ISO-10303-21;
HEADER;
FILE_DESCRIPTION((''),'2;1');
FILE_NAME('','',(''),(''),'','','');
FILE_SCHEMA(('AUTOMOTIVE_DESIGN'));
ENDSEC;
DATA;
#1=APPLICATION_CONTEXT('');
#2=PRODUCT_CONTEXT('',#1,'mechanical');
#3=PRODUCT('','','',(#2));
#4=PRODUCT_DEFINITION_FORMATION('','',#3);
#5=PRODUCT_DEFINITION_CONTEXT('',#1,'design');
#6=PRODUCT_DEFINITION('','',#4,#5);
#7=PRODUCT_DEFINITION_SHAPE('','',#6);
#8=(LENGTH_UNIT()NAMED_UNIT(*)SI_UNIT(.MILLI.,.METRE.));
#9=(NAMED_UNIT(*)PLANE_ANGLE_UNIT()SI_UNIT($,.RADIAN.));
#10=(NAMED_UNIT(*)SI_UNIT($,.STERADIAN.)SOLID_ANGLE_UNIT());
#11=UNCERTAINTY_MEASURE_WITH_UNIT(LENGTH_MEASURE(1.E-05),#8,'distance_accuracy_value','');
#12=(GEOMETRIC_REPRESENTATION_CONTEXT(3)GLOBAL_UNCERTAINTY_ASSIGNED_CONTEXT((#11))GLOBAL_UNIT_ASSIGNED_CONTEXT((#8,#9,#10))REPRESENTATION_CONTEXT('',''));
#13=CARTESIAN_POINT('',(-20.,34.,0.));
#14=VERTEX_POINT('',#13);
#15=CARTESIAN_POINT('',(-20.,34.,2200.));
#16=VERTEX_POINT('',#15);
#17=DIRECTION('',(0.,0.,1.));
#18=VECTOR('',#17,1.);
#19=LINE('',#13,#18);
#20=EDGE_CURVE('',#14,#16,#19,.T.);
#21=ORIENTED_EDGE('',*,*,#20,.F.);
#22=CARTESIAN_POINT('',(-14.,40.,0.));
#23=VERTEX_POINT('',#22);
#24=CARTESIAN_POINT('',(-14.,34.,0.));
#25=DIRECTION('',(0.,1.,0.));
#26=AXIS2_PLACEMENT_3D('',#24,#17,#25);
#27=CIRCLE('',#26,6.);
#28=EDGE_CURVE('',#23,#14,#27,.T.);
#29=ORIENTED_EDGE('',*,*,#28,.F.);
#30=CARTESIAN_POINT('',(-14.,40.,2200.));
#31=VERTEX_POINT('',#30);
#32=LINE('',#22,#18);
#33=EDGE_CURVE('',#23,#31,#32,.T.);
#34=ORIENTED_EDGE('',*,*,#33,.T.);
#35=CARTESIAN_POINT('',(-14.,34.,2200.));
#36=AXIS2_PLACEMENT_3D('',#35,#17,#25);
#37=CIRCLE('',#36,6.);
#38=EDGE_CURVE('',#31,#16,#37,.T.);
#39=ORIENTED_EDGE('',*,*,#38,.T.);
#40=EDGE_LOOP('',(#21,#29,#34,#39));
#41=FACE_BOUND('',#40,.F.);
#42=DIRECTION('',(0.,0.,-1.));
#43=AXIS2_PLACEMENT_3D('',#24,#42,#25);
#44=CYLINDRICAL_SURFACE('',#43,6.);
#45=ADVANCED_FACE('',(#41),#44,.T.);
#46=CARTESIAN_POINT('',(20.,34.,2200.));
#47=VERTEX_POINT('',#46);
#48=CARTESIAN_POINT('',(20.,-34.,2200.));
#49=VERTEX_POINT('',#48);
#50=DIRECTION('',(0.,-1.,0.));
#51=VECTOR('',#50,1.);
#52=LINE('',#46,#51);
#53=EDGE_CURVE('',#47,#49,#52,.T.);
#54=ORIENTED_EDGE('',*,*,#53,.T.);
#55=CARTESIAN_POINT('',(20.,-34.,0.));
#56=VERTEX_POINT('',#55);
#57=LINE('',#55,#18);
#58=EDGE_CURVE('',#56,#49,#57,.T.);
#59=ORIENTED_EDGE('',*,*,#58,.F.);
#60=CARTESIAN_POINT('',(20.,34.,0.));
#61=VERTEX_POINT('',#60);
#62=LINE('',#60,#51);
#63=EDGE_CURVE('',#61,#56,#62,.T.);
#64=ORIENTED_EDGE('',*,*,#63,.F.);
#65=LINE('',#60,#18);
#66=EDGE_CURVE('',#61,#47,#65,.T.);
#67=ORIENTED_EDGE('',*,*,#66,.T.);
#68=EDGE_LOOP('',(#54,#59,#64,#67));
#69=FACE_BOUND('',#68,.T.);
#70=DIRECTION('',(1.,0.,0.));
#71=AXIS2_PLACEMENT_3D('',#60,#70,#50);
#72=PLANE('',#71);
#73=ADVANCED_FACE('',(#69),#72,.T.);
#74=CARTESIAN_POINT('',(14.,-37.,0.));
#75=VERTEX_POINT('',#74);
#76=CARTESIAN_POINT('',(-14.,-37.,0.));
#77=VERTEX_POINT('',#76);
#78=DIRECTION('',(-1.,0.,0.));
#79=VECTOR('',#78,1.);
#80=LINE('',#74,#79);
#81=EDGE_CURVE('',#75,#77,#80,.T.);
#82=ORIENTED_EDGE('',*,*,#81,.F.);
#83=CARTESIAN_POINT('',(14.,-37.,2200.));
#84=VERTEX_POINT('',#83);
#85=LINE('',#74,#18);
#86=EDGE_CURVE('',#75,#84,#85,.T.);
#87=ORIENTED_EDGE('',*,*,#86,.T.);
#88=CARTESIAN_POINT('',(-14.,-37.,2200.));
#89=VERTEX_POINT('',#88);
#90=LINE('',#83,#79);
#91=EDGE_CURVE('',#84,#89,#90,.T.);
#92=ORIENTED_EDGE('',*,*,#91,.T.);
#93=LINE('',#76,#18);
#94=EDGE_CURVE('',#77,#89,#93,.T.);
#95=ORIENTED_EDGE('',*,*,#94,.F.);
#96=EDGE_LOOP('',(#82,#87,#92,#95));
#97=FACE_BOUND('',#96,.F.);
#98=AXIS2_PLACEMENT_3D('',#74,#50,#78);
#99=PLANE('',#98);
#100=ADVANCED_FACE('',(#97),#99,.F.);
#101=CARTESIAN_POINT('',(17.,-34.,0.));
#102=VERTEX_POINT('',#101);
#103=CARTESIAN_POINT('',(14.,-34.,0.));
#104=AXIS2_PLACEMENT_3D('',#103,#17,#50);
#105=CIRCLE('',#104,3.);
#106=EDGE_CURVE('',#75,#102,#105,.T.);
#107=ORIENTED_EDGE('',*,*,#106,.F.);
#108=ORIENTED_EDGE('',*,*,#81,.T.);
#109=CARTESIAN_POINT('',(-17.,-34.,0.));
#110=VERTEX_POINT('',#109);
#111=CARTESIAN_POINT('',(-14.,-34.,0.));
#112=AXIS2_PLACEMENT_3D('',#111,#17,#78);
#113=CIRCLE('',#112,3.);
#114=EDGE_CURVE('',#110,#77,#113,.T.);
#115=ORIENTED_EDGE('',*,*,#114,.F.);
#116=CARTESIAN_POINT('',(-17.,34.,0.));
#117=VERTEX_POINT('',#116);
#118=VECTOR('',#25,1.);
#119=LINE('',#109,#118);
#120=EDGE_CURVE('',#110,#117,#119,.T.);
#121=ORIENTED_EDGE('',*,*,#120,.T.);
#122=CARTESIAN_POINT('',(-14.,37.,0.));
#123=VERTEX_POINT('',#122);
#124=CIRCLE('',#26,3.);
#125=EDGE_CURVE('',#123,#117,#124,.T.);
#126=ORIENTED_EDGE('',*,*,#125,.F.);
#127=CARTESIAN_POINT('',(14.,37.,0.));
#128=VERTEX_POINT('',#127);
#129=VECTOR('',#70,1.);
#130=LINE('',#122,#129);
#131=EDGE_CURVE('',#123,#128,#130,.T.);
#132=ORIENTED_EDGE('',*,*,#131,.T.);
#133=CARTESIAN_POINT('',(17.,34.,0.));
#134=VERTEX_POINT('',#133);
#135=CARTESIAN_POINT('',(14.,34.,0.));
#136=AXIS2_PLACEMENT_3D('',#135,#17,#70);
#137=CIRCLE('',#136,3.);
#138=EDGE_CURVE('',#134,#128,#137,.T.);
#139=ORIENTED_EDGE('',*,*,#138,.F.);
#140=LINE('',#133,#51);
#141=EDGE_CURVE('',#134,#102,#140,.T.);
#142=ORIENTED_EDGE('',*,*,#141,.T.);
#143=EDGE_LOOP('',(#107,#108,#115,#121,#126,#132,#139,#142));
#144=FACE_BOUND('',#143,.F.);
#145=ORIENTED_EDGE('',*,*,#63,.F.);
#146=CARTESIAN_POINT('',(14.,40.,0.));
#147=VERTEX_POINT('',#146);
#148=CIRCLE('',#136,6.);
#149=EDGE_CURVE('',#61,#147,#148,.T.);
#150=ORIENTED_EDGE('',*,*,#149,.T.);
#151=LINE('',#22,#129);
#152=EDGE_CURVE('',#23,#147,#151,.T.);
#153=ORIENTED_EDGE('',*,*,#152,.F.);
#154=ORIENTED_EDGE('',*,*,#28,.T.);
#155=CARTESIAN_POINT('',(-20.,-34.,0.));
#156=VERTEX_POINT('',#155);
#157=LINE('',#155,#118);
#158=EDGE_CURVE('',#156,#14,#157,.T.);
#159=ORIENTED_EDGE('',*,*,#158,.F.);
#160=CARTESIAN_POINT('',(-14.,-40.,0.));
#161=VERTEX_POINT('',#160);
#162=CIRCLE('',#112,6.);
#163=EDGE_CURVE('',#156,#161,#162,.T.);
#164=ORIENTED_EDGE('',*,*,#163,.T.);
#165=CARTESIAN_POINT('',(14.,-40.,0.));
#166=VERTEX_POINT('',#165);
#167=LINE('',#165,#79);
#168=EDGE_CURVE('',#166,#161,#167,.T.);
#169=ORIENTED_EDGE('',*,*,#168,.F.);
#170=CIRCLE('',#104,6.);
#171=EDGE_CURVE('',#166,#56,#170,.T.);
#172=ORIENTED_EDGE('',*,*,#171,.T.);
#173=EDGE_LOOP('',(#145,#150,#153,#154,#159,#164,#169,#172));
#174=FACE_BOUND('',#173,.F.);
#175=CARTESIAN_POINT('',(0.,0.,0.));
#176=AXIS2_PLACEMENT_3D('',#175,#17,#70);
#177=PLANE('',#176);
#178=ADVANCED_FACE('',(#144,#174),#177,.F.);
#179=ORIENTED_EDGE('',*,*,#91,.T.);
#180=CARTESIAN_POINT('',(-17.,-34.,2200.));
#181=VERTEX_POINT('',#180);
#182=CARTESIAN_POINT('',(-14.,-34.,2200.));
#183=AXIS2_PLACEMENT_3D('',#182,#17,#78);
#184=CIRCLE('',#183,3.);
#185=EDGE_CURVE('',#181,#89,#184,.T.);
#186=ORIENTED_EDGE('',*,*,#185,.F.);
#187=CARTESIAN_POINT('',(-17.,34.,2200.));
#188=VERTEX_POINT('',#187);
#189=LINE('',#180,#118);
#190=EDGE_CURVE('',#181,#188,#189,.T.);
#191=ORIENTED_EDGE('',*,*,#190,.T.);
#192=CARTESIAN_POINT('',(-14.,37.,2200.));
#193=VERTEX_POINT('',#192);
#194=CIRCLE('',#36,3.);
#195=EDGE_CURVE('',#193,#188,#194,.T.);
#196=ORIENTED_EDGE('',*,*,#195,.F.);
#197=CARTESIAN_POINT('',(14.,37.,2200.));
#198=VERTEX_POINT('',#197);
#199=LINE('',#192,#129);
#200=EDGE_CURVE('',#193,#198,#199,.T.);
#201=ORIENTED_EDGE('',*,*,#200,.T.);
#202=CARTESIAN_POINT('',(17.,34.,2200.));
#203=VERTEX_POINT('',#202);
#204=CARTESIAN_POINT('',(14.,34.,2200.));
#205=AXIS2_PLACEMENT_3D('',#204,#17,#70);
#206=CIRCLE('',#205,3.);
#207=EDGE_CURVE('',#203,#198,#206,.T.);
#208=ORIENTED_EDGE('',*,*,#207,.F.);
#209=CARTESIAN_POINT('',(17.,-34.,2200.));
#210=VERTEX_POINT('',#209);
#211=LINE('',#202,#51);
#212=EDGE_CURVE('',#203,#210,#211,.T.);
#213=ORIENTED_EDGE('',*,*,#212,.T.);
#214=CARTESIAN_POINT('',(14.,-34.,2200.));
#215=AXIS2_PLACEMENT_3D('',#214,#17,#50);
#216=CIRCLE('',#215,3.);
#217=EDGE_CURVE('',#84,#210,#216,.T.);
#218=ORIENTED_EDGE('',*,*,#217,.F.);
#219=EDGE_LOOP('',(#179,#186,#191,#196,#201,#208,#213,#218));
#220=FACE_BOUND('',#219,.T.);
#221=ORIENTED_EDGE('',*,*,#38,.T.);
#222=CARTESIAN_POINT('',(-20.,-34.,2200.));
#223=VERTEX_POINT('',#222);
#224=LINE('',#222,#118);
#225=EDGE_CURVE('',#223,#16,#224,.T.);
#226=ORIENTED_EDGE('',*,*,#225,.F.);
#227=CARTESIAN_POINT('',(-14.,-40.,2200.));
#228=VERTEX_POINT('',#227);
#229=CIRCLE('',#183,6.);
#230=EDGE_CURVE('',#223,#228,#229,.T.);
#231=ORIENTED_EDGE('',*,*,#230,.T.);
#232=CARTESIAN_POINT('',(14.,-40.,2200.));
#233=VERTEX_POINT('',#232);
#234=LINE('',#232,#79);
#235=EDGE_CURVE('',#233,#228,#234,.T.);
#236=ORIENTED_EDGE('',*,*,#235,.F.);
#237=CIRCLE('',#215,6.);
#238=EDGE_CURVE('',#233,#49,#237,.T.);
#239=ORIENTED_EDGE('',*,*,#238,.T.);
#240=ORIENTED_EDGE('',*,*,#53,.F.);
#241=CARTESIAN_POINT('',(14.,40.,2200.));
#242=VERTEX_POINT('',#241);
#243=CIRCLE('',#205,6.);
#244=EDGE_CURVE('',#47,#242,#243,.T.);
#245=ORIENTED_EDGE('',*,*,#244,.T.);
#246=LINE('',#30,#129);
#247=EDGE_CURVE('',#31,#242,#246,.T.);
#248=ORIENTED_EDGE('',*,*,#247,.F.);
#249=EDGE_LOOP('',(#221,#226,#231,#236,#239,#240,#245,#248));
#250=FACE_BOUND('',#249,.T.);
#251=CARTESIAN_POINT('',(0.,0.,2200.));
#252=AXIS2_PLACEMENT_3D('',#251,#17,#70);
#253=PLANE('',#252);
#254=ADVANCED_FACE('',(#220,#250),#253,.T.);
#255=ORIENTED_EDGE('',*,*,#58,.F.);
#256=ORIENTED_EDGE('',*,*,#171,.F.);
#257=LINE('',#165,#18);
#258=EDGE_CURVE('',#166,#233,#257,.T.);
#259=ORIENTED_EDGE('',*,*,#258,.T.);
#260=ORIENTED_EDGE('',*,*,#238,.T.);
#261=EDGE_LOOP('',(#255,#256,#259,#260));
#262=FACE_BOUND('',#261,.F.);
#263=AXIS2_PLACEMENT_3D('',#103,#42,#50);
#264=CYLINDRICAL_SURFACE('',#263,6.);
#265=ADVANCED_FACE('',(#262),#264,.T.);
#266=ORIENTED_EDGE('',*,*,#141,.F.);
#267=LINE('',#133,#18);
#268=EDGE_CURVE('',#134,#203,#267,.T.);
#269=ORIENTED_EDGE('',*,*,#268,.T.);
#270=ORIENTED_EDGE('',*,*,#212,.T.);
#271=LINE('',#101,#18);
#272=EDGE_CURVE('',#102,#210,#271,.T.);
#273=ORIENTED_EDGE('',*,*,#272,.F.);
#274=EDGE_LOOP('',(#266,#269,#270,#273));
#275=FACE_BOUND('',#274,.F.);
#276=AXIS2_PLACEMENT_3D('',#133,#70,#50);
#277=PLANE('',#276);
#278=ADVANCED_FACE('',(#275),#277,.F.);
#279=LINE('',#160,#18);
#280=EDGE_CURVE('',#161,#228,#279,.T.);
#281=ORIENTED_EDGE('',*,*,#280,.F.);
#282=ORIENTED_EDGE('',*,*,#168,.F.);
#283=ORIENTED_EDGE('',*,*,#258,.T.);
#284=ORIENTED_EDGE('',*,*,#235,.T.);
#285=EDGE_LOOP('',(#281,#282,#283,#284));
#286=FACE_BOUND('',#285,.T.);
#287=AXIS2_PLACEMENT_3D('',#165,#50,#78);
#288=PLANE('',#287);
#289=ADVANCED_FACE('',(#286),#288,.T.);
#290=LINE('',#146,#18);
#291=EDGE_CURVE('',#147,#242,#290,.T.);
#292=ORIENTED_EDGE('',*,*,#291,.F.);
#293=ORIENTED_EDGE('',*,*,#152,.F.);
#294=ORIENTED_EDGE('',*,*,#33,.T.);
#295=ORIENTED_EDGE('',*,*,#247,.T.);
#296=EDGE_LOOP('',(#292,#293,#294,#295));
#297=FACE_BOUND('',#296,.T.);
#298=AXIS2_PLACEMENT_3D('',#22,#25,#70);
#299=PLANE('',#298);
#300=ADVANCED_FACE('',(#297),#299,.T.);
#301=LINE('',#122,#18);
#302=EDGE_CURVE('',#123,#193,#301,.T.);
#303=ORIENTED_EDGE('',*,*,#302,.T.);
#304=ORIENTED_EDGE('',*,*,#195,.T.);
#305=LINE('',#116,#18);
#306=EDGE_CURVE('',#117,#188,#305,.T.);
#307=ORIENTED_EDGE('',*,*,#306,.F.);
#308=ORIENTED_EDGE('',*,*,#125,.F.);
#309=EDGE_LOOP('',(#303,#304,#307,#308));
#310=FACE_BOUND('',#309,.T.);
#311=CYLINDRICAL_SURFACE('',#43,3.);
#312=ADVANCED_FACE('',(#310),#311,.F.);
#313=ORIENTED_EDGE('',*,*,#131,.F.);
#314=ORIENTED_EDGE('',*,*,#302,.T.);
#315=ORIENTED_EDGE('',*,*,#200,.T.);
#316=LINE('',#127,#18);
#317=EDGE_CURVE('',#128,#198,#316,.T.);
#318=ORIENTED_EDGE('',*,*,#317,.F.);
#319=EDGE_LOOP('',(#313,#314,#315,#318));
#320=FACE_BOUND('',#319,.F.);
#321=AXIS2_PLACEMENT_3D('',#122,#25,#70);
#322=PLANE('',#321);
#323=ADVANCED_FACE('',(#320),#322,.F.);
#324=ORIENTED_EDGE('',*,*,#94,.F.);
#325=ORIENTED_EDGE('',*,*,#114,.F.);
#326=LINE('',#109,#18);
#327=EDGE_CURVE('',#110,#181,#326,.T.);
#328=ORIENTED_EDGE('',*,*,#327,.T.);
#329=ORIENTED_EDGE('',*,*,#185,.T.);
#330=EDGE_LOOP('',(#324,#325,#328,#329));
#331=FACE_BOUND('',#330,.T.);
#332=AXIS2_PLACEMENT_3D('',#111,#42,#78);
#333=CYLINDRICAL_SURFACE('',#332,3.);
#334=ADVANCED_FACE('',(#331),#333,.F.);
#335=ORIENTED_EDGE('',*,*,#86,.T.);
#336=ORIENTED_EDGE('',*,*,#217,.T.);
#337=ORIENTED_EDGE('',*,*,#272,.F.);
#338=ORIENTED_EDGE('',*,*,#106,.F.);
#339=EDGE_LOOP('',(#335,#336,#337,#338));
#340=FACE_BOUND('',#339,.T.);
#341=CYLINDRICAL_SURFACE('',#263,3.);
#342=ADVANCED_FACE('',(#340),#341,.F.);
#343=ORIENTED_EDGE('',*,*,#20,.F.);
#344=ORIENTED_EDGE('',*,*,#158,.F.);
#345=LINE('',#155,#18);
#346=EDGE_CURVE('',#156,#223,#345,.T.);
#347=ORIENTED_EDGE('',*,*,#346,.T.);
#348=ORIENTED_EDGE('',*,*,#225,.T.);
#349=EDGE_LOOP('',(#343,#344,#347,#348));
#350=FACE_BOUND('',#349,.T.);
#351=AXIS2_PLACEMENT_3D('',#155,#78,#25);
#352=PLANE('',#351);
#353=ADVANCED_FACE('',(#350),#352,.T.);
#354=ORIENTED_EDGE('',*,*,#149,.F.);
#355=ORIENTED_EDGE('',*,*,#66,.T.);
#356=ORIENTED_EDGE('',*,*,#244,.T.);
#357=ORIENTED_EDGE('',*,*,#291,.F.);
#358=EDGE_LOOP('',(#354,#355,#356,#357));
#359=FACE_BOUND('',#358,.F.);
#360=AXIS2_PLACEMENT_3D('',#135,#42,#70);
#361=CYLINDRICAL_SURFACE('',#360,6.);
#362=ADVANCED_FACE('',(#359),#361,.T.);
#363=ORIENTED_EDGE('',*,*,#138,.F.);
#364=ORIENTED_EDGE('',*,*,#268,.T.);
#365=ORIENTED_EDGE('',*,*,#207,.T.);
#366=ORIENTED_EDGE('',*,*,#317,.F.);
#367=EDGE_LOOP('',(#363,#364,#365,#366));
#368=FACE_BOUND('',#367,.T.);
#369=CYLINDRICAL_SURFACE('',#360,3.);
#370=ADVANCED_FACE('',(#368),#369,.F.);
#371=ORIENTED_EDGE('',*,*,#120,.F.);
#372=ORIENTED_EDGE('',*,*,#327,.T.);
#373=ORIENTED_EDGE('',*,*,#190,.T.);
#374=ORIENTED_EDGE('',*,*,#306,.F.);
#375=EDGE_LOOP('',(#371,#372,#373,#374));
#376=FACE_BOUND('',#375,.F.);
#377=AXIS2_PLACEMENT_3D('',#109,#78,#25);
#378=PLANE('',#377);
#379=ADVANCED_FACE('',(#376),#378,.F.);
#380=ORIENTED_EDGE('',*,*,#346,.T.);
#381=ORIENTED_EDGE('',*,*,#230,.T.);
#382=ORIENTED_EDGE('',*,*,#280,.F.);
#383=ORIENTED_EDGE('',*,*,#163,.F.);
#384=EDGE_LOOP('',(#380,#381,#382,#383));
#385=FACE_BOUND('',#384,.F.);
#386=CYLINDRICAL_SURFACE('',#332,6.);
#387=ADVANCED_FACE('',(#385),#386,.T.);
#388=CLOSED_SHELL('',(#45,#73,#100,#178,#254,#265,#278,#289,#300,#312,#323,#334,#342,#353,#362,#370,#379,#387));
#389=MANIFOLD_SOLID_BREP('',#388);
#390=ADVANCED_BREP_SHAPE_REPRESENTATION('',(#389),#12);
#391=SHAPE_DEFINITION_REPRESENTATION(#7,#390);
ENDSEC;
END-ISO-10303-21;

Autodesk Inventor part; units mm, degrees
ref_plane "YZ Plane" through (0, 0, 0) normal (1, 0, 0) x (0, 1, 0)
ref_plane "Start Plane" through (0, 0, 0) normal (0, 0, 1) x (1, 0, 0)
ref_plane "End Plane" through (0, 0, 2200) normal (0, 0, 1) x (1, 0, 0)
sketch "Sketch" plane through (0, 0, 0) normal (0, 0, 1) x (1, 0, 0)
  line L0 (-20, -34) -> (-20, 34)
  line L1 (-14, 40) -> (14, 40)
  line L2 (20, 34) -> (20, -34)
  line L3 (14, -40) -> (-14, -40)
  arc A0 (-20, -34) -> (-14, -40) centre (-14, -34) ccw
  arc A1 (20, 34) -> (14, 40) centre (14, 34) ccw
  arc A2 (-14, 40) -> (-20, 34) centre (-14, 34) ccw
  arc A3 (14, -40) -> (20, -34) centre (14, -34) ccw
  arc A4 (-14, 37) -> (-17, 34) centre (-14, 34) ccw
  line L4 (-14, 37) -> (14, 37)
  arc A5 (17, 34) -> (14, 37) centre (14, 34) ccw
  line L5 (17, 34) -> (17, -34)
  arc A6 (14, -37) -> (17, -34) centre (14, -34) ccw
  line L6 (14, -37) -> (-14, -37)
  arc A7 (-17, -34) -> (-14, -37) centre (-14, -34) ccw
  line L7 (-17, -34) -> (-17, 34)
  line L8 (0, 57.7397) -> (0, -57.7397) construction
  line L9 (-29.7397, 0) -> (29.7397, 0) construction
  dimension "d7" = 6
  dimension "d9" = 40
  dimension "d11" = 80
  dimension "d12" = 3
  dimension "d15" = 20
  dimension "d16" = 40
extrude "Body" add sketch "Sketch" along normal up to surface (2200 mm away) from surface at 0
sketch "Sketch3" plane through (0, 0, 0) normal (0, 0, 1) x (1, 0, 0)
  line L0 (0, 0) -> (10, 0)
ref_plane "Work Plane3" through (0, 0, 0) normal (0, -1, 0) x (1, 0, 0)
sketch "Sketch4" plane through (0, 0, 0) normal (0, -1, 0) x (1, 0, 0)
  line L0 (-2, 0) -> (12, 0) projected
  line L1 (-2, 2200) -> (12, 2200) projected
  dimension "d18" = 2200
equation "\"d7\" = G_IR"
equation "\"d9\" = G_W"
equation "\"d11\" = G_H"
equation "\"d12\" = G_T"
equation "\"d15\" = 0.5 * d9"
equation "\"d16\" = 0.5 * d11"
equation "\"d3\" = G_L"
equation "\"G_W\" = 40"
equation "\"G_H\" = 80"
equation "\"G_T\" = 3"
equation "\"G_IR\" = 6"
equation "\"G_L\" = d18"
equation "\"G_OFFSET_START\" = 0"
equation "\"G_OFFSET_END\" = 0"
properties part number "ISO 10799-2 - 80x40x3 - 2200" material "Steel, Mild"
